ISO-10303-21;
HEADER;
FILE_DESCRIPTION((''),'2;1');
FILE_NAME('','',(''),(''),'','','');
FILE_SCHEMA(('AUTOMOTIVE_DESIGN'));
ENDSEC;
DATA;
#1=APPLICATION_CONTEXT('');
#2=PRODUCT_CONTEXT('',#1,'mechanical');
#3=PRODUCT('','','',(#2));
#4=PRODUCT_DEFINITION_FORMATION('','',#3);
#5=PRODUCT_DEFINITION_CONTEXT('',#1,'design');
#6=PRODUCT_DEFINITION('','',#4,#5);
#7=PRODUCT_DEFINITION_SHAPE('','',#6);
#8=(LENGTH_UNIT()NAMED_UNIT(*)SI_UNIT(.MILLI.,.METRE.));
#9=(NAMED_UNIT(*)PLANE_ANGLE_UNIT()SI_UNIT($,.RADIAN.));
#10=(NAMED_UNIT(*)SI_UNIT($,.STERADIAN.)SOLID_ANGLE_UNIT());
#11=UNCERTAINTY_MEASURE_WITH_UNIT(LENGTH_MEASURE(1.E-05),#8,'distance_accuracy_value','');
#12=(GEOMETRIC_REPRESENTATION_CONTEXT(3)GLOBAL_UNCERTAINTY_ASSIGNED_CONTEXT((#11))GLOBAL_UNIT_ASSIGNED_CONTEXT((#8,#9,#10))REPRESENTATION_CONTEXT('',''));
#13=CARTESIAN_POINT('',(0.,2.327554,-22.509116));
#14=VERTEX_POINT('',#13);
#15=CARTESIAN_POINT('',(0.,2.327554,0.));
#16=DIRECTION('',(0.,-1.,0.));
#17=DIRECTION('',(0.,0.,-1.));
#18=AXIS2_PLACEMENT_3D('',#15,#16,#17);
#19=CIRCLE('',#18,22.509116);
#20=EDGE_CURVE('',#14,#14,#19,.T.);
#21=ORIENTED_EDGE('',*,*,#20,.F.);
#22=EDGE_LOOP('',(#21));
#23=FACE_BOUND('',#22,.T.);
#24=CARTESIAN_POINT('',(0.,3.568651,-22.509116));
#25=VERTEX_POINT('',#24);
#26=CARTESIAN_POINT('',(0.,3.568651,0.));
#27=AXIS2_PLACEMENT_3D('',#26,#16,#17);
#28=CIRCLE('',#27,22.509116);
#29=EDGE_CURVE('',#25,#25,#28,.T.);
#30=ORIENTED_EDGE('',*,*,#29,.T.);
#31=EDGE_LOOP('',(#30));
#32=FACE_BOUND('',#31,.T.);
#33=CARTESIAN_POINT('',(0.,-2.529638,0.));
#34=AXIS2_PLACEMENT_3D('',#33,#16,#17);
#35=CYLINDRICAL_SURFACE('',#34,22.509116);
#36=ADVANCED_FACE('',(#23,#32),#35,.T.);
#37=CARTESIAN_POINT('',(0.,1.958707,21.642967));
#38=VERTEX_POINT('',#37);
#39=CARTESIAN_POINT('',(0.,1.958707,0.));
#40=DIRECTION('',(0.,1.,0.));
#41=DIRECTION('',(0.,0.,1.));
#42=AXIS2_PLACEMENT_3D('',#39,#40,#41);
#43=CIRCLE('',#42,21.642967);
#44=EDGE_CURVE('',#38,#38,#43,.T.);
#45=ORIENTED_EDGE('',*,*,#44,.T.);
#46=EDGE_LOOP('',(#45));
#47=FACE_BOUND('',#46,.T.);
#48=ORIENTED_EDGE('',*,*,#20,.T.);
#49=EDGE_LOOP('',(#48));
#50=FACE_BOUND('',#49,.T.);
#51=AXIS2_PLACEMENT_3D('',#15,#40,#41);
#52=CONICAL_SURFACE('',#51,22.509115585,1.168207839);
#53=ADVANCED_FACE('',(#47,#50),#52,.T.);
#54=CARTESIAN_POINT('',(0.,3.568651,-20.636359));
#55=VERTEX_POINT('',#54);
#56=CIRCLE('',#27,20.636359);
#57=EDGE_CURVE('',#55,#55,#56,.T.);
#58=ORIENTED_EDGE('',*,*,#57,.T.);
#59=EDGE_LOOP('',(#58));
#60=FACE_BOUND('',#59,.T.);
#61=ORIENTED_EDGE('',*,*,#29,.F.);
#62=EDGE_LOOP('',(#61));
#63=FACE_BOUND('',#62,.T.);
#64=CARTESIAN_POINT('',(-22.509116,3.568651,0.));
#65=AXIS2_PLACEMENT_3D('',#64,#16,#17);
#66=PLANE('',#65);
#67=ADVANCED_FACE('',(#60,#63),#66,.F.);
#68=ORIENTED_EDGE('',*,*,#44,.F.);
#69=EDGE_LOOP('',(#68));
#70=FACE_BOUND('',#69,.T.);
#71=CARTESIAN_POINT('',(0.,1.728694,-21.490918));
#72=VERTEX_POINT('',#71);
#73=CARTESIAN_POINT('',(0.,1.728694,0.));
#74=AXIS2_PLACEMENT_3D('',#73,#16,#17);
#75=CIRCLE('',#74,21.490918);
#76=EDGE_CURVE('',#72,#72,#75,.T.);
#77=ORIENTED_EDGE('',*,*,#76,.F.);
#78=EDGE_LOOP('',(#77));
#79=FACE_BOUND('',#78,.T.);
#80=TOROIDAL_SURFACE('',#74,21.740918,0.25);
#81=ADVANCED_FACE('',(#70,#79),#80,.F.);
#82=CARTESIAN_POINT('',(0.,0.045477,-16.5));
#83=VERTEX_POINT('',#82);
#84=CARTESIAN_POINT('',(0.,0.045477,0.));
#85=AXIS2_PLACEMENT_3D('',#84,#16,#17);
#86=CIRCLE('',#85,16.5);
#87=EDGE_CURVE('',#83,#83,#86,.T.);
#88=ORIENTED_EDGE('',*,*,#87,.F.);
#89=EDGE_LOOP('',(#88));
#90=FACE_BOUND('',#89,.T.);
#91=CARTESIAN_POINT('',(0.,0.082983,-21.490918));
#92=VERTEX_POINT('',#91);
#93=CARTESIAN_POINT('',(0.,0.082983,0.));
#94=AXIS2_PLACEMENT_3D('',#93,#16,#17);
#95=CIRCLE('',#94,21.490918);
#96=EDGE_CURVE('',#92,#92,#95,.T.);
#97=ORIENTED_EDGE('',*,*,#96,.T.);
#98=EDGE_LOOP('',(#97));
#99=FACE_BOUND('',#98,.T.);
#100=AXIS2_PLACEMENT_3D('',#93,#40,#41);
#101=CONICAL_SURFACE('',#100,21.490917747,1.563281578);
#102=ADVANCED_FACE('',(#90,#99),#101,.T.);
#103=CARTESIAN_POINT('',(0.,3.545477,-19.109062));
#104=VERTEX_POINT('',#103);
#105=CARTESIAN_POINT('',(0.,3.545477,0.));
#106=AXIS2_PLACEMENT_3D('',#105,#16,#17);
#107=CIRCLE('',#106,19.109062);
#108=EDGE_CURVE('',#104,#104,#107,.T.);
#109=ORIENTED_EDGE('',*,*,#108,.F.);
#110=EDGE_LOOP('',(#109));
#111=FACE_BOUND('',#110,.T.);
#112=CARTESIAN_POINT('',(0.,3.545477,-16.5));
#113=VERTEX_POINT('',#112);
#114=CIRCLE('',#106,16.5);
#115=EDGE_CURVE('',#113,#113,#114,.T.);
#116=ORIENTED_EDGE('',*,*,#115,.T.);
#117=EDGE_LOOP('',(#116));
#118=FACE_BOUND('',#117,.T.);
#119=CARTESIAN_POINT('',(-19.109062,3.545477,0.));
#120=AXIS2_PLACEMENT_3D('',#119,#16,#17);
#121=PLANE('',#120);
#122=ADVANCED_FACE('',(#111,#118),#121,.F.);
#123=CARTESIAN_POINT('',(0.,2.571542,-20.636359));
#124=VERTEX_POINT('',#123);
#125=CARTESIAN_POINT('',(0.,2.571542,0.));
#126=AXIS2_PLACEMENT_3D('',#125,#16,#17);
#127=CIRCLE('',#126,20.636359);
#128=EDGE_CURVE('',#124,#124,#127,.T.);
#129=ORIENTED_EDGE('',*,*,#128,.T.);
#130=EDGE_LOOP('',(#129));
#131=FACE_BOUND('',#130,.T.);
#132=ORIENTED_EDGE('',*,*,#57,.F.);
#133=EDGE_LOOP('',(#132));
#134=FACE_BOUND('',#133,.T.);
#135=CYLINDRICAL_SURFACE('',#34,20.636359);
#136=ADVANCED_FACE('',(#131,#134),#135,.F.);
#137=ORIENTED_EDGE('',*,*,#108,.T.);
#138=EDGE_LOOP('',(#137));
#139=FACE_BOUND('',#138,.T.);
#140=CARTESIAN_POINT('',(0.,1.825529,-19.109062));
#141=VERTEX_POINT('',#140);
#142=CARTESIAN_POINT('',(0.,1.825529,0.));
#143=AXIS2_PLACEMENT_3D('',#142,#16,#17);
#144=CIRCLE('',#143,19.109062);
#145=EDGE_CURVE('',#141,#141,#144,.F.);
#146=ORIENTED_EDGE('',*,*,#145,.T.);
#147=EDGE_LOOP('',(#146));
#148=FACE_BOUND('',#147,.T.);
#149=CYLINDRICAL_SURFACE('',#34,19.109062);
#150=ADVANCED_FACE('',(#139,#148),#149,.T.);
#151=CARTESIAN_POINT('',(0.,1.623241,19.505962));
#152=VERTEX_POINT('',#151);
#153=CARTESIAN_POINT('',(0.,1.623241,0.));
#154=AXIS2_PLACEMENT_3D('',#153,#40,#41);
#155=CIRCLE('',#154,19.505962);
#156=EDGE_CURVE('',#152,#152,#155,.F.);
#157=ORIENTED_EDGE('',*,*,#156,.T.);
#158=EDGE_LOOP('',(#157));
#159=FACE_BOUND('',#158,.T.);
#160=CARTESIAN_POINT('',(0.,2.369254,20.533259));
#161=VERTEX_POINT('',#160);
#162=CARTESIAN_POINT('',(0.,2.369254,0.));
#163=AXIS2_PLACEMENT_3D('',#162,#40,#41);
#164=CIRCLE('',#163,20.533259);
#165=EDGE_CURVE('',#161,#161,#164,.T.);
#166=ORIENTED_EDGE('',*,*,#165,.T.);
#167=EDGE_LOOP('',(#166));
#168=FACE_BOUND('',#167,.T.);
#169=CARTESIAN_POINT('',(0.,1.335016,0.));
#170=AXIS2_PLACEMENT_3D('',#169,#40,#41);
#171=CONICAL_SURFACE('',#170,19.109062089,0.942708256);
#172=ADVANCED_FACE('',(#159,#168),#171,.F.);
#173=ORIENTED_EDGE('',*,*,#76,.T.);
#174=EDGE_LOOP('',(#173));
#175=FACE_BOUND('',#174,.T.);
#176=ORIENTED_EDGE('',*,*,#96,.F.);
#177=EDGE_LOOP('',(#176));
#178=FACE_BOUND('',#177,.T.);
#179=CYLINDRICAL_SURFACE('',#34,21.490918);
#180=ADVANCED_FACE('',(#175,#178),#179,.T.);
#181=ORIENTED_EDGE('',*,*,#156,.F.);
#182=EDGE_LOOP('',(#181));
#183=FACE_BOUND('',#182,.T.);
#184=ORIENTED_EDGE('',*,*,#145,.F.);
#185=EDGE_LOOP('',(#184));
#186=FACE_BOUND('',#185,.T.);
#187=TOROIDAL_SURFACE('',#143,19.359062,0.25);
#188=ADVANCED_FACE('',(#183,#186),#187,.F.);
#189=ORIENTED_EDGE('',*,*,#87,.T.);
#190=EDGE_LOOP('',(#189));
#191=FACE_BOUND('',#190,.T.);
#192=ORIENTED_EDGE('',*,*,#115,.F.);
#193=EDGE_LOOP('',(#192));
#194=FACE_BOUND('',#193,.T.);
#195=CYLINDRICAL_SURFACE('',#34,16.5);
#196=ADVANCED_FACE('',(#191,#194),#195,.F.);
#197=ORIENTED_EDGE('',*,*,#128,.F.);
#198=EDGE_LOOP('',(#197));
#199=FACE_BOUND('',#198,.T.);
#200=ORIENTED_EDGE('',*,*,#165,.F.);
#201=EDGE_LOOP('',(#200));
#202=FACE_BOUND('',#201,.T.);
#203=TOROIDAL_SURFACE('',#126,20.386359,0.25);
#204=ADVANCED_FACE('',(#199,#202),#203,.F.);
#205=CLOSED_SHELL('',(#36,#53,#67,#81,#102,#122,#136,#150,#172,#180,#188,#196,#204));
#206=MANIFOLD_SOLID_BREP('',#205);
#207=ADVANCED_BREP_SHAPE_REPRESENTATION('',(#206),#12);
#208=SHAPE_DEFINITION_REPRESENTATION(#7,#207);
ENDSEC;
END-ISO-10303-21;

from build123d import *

# Parameters (mm, degrees)
REDONDEO1_R = 0.25


with BuildPart() as part:
    # Sketch1 → Revolución1 (revolve)
    with BuildSketch(Plane.XY, mode=Mode.PRIVATE) as revoluci_n1_sk:
        Polygon((-16.5, 0.045477085), (-16.5, 3.545477085), (-19.109062089, 3.545477085), (-19.109062089, 1.335016365), (-20.636358847, 2.444124724), (-20.636358847, 3.568650883), (-22.509115585, 3.568650883), (-22.509115585, 2.32755411), (-21.490917747, 1.893956842), (-21.490917747, 0.082983284), align=None)
    revolve(revoluci_n1_sk.sketch.rotate(Axis((0, -2.529637584, 0), (0, 1, 0)), 270), axis=Axis((0, -2.529637584, 0), (0, 1, 0)))

    # Redondeo1
    redondeo1_edges = [part.edges().sort_by_distance(p)[0] for p in [
        (0, 1.335016365, 19.109062089),
        (0, 2.444124724, 20.636358847),
        (0, 1.893956842, 21.490917747),
    ]]
    fillet(redondeo1_edges, radius=REDONDEO1_R)


solid = part.part
